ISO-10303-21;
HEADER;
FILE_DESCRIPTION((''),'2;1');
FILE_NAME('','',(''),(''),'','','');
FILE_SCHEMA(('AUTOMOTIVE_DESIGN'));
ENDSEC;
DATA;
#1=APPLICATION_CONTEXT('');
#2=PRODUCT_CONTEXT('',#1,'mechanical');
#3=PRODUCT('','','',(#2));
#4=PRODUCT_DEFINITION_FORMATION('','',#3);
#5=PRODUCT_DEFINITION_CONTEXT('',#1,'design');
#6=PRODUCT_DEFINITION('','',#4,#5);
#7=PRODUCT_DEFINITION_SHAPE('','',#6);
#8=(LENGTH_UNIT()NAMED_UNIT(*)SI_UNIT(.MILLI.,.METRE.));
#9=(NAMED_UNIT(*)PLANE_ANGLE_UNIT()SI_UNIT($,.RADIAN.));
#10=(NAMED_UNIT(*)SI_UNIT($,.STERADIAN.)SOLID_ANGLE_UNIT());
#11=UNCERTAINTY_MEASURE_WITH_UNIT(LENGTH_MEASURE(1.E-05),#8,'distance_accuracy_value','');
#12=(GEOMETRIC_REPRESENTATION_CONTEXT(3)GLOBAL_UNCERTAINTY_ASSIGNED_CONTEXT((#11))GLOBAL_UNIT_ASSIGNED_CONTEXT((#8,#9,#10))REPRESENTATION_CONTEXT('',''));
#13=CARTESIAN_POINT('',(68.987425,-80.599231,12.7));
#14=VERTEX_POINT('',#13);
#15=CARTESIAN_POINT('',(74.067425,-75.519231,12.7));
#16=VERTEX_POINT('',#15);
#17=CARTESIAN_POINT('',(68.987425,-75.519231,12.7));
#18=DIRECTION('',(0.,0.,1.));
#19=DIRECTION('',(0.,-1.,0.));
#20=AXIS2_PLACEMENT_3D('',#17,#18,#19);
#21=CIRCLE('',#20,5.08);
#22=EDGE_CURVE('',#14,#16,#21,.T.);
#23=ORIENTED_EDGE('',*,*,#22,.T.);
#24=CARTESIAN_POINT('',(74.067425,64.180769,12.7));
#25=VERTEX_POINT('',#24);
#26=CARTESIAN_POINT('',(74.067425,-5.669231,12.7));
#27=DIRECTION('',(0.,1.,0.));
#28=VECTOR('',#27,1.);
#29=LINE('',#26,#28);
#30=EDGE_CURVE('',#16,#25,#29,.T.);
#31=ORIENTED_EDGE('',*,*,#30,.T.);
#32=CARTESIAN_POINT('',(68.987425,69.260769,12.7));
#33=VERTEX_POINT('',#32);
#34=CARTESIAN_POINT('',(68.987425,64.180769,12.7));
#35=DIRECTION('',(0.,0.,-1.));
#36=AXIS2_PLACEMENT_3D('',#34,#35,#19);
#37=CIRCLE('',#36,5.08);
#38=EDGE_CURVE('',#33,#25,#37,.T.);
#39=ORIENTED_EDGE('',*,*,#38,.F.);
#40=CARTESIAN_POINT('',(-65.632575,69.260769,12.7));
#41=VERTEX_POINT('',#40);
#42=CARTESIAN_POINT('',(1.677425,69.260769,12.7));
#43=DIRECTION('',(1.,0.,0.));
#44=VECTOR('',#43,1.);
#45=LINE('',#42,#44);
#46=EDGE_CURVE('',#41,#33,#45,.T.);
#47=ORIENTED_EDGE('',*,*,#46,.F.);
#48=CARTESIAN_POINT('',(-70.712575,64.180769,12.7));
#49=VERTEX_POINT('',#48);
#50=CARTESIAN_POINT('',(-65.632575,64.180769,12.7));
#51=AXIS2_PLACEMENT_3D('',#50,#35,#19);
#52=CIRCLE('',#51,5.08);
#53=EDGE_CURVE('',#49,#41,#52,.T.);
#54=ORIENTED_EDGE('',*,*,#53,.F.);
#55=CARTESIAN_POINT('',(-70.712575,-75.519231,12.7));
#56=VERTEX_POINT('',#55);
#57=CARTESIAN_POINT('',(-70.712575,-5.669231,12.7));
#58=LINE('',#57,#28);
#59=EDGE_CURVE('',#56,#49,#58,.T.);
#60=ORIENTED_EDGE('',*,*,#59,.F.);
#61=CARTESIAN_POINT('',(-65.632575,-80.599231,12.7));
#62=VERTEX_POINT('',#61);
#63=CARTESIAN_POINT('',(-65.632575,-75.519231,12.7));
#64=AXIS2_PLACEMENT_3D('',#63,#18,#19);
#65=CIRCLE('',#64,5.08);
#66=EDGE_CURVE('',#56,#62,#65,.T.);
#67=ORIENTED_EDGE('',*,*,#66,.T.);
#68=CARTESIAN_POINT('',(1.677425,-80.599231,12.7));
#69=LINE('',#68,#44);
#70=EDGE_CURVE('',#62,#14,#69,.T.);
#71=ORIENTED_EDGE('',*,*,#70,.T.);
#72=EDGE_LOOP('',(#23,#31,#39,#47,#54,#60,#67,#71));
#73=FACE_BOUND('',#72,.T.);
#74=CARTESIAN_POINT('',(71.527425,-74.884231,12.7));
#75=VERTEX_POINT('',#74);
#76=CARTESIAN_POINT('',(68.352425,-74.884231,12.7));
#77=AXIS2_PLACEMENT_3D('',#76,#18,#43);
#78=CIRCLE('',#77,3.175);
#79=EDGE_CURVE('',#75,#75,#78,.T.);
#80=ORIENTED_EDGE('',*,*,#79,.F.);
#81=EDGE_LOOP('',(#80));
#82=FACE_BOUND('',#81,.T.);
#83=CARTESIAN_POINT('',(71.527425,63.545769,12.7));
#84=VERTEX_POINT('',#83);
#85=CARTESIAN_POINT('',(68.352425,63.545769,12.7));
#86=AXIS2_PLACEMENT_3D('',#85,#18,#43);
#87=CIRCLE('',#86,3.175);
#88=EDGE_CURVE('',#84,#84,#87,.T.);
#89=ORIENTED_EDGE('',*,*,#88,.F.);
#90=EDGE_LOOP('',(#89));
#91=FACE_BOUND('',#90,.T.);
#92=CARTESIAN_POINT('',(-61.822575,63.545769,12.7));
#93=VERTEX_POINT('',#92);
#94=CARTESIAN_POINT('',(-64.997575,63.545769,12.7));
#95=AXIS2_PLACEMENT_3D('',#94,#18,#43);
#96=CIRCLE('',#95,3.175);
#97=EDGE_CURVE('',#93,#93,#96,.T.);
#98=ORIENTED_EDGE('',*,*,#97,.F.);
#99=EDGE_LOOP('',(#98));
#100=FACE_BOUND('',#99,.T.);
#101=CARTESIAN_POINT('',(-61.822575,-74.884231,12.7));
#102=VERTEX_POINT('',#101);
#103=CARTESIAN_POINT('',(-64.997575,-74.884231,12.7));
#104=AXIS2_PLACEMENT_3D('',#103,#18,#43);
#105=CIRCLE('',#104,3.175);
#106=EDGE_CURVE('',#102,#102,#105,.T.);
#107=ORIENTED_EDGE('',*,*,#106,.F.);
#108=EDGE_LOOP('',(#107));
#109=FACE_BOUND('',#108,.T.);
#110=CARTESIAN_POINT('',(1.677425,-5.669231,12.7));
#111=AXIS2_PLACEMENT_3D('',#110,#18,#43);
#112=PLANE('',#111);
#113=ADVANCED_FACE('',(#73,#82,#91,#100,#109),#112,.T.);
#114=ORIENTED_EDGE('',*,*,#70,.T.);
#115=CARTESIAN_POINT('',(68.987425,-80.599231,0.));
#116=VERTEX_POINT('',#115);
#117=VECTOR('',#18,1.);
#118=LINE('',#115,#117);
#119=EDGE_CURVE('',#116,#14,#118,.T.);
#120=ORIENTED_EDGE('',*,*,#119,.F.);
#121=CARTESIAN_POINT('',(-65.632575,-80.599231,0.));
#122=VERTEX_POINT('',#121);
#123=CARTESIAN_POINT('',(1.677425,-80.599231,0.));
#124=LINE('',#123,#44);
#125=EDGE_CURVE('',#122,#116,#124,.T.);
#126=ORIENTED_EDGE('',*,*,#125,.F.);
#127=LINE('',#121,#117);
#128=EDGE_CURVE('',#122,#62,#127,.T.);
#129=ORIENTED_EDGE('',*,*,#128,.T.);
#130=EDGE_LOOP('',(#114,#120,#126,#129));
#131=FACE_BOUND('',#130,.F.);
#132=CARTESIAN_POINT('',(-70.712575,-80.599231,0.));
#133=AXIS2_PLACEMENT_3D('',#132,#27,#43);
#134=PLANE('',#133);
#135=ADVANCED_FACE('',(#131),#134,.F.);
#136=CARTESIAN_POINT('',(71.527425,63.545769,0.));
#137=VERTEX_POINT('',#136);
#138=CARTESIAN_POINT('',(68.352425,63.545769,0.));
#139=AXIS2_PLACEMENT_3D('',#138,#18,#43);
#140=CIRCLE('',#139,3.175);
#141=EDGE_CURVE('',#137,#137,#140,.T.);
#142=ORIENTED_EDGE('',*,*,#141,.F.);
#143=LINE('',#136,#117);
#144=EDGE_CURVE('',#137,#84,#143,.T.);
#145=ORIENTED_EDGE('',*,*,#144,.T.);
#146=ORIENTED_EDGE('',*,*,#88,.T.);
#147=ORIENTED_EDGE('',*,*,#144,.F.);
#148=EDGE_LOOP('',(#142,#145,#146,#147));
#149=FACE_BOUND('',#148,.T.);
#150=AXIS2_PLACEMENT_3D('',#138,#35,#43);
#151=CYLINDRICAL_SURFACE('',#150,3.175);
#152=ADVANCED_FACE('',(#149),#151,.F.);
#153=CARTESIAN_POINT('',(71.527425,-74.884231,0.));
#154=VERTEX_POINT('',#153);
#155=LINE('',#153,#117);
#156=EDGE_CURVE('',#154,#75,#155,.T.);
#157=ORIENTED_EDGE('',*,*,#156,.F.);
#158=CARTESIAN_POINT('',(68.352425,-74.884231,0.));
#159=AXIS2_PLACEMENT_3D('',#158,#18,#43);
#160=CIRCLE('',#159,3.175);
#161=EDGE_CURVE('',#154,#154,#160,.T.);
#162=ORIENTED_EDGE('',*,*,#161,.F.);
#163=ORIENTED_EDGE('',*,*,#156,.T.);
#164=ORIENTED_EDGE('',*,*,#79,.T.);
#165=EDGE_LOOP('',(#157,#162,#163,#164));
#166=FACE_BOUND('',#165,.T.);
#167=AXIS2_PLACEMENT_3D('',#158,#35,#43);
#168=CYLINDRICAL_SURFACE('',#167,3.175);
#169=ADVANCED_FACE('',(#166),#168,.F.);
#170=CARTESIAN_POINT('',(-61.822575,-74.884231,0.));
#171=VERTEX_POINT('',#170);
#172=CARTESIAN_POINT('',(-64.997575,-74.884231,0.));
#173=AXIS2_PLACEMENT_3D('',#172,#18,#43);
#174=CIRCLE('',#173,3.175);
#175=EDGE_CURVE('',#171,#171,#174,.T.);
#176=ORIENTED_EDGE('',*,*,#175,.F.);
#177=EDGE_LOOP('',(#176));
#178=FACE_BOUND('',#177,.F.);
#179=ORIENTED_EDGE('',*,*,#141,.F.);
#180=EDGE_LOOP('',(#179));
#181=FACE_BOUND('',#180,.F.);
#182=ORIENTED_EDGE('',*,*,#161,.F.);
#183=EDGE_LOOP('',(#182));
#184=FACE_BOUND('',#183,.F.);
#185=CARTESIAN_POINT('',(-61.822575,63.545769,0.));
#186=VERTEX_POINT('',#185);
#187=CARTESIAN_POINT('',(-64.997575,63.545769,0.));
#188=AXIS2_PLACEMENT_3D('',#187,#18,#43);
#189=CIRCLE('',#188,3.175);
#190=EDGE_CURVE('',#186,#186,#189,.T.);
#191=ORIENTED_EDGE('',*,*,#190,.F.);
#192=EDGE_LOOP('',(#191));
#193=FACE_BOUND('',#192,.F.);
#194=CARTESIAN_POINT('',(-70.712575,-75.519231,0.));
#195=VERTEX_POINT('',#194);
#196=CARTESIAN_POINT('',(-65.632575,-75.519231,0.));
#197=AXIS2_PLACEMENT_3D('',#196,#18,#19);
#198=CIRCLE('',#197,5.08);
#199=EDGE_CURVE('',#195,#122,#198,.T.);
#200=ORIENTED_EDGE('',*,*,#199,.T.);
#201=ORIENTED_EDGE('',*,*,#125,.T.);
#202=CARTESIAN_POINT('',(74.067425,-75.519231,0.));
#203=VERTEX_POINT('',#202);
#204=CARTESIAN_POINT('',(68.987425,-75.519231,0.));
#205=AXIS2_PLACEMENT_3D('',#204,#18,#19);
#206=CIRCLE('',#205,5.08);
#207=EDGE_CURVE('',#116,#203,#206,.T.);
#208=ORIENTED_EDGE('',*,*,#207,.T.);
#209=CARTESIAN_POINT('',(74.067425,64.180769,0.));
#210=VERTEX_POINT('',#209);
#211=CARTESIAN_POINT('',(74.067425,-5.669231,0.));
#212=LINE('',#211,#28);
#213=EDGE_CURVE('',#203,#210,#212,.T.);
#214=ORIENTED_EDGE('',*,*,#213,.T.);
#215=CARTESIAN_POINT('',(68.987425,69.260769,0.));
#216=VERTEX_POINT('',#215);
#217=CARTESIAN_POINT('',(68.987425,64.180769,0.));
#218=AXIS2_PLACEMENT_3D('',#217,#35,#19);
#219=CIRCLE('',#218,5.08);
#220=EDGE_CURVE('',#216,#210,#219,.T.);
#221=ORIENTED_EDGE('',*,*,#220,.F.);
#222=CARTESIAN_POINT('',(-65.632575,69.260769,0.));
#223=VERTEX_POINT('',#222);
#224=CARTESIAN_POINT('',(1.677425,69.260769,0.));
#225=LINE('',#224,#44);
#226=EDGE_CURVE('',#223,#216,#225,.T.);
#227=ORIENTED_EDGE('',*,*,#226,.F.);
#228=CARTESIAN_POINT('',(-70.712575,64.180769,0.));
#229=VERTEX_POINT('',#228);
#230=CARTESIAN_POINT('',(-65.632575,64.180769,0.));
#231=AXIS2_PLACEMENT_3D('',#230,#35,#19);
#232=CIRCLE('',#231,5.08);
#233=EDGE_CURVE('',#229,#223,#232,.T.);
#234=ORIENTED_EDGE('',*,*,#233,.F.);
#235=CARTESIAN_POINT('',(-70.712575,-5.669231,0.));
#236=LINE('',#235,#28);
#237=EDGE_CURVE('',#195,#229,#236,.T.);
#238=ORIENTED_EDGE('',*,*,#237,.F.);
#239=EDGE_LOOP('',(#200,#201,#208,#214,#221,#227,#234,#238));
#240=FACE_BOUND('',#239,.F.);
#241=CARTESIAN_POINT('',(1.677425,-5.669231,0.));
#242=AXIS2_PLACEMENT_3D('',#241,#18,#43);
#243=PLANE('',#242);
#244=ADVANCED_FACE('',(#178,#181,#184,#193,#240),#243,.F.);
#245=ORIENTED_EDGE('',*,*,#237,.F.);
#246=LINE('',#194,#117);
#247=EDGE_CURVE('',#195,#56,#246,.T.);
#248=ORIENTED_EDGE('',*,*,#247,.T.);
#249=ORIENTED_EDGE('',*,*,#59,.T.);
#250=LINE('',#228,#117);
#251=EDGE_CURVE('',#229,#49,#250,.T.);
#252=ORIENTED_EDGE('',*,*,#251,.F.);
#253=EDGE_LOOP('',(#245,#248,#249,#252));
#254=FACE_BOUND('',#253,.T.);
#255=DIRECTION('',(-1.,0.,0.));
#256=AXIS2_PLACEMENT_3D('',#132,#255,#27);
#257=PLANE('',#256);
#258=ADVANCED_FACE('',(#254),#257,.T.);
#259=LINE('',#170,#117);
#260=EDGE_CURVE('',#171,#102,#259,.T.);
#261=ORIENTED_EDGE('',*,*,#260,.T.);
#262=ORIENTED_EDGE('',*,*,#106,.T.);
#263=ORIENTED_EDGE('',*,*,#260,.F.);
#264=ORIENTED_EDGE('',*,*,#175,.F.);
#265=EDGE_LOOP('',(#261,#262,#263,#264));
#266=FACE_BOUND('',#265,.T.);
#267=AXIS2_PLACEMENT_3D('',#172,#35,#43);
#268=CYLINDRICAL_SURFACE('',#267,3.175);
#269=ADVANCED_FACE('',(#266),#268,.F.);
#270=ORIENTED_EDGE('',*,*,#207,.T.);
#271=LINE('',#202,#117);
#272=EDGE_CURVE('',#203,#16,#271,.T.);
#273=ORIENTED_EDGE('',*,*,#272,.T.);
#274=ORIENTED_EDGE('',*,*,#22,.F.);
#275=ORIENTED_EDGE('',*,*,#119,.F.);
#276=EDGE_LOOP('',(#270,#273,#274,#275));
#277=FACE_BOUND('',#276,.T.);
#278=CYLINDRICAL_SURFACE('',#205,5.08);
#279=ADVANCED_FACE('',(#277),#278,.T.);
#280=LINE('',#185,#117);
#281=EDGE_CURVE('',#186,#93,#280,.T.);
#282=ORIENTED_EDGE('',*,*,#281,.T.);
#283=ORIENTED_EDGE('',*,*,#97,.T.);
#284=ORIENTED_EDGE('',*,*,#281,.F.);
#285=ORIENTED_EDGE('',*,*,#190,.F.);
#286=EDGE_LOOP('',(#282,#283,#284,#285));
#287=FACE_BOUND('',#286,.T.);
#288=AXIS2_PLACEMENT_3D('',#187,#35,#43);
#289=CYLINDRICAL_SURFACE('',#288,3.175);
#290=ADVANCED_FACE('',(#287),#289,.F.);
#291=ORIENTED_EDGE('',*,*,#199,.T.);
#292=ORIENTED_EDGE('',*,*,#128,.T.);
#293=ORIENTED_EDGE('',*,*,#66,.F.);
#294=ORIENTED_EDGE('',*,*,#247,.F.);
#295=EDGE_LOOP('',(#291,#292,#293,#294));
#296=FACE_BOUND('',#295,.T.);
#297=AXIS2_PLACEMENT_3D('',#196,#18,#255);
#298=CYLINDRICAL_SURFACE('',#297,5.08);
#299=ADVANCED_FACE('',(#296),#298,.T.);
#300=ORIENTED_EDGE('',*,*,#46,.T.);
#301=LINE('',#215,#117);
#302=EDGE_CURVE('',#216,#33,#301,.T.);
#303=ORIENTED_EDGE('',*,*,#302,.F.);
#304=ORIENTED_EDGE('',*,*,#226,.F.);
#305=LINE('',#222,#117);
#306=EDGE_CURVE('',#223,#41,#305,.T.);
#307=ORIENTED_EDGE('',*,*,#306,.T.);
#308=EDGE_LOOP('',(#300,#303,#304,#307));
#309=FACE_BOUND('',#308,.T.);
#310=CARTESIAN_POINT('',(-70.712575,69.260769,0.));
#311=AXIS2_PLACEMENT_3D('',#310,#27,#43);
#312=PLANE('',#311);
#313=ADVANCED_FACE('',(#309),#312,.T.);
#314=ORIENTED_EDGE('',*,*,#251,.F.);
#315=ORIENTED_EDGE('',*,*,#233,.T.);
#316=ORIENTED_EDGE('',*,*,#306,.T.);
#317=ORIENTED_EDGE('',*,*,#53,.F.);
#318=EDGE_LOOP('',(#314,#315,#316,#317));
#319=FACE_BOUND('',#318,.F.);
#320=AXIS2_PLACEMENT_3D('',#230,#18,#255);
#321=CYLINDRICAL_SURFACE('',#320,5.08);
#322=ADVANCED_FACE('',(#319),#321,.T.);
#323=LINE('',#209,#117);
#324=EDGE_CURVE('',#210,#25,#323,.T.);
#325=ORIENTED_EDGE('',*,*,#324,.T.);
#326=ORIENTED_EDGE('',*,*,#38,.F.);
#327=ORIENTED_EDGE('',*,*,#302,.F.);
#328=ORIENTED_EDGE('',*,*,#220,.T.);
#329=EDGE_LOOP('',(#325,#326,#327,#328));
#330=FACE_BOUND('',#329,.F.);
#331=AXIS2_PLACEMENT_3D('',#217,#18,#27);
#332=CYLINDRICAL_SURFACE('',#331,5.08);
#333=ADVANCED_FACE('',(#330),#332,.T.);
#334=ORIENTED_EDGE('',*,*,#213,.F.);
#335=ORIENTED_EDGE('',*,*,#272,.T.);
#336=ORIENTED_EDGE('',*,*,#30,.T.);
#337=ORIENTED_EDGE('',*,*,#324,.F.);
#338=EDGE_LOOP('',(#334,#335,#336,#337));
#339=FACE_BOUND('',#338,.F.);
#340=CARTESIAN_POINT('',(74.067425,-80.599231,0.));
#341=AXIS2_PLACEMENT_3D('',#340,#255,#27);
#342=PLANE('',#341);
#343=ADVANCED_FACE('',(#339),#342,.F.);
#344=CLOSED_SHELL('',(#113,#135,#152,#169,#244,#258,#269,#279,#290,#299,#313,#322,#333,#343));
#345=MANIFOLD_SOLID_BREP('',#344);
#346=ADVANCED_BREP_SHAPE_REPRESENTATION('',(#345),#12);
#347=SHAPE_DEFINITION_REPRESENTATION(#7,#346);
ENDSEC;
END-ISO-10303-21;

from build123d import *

# Parameters (mm, degrees)
F0_W     = 144.78
F0_H     = 149.86
F0_R     = 3.175
F1_DEPTH = 12.7
F2_R     = 5.08


with BuildPart() as f1:
    # F0 (on Top) → F1 (new body)
    with BuildSketch(Plane.XY):
        with Locations((1.677425, -5.669231)):
            Rectangle(F0_W, F0_H)
        with Locations((-64.997575, -74.884231)):
            Circle(F0_R, mode=Mode.SUBTRACT)
        with Locations((68.352425, -74.884231)):
            Circle(F0_R, mode=Mode.SUBTRACT)
        with Locations((-64.997575, 63.545769)):
            Circle(F0_R, mode=Mode.SUBTRACT)
        with Locations((68.352425, 63.545769)):
            Circle(F0_R, mode=Mode.SUBTRACT)
    extrude(amount=F1_DEPTH)

    # F2
    f2_edges = [f1.edges().sort_by_distance(p)[0] for p in [
        (74.067425, 69.260769, 6.35),
        (74.067425, -80.599231, 6.35),
        (-70.712575, 69.260769, 6.35),
        (-70.712575, -80.599231, 6.35),
    ]]
    fillet(f2_edges, radius=F2_R)


solid = f1.part
